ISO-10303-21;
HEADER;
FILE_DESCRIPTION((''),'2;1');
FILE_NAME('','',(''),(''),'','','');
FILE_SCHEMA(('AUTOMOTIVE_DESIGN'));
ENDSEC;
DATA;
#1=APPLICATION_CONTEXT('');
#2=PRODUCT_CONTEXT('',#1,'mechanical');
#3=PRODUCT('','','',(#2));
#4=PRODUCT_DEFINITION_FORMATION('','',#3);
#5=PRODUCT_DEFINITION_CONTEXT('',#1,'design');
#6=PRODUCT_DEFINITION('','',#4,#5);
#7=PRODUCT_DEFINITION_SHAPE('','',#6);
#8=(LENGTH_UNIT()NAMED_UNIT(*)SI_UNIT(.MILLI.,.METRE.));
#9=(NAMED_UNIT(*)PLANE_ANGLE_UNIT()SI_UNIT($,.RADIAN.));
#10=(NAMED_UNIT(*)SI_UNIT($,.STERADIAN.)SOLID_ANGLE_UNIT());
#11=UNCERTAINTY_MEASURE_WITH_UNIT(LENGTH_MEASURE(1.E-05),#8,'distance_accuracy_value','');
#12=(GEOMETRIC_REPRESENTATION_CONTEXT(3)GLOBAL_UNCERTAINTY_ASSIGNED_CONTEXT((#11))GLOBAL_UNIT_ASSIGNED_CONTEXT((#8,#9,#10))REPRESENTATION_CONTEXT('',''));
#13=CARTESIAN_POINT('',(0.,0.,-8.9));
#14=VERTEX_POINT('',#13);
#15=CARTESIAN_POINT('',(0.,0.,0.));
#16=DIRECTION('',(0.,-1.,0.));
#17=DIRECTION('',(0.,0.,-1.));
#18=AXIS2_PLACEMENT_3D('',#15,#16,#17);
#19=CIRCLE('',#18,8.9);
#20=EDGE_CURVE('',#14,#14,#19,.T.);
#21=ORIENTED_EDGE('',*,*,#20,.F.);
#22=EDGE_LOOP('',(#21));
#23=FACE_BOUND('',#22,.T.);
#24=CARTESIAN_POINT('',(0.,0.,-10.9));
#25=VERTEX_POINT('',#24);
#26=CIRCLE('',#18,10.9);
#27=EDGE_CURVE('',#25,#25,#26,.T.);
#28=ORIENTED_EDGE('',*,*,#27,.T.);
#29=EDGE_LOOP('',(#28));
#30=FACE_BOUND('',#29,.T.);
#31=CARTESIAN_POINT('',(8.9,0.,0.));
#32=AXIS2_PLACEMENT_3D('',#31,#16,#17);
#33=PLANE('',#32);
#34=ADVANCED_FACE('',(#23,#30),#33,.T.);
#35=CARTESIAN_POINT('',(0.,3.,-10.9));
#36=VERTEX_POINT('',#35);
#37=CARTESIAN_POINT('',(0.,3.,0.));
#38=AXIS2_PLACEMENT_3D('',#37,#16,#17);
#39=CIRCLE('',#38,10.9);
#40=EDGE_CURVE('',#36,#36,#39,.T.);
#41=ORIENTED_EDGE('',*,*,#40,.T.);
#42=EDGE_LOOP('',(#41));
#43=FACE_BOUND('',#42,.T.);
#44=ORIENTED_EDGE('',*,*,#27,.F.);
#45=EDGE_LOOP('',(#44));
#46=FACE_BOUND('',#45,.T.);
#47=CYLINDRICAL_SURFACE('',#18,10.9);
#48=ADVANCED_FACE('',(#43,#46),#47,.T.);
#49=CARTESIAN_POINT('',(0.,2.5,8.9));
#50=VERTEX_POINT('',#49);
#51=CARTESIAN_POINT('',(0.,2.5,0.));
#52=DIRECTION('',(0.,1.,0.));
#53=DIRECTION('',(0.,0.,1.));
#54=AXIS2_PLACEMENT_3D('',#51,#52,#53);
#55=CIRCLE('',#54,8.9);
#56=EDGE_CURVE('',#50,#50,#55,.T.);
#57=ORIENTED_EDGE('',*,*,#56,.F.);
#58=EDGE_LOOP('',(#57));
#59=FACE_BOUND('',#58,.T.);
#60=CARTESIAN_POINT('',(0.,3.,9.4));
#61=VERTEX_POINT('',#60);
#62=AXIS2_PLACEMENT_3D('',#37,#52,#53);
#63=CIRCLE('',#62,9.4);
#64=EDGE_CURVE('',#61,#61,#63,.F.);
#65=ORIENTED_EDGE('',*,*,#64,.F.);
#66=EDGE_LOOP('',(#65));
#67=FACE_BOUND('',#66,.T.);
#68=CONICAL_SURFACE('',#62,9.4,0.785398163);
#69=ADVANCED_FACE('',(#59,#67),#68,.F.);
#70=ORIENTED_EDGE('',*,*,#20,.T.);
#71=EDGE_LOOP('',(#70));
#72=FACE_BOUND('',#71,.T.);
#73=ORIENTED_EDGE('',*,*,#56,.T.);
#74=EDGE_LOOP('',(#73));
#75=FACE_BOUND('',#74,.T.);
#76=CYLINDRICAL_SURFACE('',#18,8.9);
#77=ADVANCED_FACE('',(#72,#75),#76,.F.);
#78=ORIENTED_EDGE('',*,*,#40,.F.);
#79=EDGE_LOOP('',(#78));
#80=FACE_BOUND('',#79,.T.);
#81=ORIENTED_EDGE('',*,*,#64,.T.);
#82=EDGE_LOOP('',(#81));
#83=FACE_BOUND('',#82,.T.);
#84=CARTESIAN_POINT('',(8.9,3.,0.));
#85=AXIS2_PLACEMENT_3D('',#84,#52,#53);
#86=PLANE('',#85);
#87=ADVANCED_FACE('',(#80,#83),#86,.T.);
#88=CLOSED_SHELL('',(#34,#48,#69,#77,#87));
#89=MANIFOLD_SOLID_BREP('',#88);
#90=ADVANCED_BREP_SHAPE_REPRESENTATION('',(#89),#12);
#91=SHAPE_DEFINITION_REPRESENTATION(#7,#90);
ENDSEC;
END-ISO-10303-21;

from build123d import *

# Parameters (mm, degrees)
SKETCH1_W     = 2
SKETCH1_H     = 3
CHAMFER1_SIZE = 0.5


with BuildPart() as part:
    # Sketch1 → Revolve1 (revolve)
    with BuildSketch(Plane.XY, mode=Mode.PRIVATE) as revolve1_sk:
        with Locations((9.9, 1.5)):
            Rectangle(SKETCH1_W, SKETCH1_H)
    revolve(revolve1_sk.sketch.rotate(Axis((0, 0, 0), (0, 1, 0)), 90), axis=Axis((0, 0, 0), (0, 1, 0)))

    # Chamfer1
    chamfer1_edges = [part.edges().sort_by_distance(p)[0] for p in [
        (0, 3, 8.9),
    ]]
    chamfer(chamfer1_edges, length=CHAMFER1_SIZE)


solid = part.part
